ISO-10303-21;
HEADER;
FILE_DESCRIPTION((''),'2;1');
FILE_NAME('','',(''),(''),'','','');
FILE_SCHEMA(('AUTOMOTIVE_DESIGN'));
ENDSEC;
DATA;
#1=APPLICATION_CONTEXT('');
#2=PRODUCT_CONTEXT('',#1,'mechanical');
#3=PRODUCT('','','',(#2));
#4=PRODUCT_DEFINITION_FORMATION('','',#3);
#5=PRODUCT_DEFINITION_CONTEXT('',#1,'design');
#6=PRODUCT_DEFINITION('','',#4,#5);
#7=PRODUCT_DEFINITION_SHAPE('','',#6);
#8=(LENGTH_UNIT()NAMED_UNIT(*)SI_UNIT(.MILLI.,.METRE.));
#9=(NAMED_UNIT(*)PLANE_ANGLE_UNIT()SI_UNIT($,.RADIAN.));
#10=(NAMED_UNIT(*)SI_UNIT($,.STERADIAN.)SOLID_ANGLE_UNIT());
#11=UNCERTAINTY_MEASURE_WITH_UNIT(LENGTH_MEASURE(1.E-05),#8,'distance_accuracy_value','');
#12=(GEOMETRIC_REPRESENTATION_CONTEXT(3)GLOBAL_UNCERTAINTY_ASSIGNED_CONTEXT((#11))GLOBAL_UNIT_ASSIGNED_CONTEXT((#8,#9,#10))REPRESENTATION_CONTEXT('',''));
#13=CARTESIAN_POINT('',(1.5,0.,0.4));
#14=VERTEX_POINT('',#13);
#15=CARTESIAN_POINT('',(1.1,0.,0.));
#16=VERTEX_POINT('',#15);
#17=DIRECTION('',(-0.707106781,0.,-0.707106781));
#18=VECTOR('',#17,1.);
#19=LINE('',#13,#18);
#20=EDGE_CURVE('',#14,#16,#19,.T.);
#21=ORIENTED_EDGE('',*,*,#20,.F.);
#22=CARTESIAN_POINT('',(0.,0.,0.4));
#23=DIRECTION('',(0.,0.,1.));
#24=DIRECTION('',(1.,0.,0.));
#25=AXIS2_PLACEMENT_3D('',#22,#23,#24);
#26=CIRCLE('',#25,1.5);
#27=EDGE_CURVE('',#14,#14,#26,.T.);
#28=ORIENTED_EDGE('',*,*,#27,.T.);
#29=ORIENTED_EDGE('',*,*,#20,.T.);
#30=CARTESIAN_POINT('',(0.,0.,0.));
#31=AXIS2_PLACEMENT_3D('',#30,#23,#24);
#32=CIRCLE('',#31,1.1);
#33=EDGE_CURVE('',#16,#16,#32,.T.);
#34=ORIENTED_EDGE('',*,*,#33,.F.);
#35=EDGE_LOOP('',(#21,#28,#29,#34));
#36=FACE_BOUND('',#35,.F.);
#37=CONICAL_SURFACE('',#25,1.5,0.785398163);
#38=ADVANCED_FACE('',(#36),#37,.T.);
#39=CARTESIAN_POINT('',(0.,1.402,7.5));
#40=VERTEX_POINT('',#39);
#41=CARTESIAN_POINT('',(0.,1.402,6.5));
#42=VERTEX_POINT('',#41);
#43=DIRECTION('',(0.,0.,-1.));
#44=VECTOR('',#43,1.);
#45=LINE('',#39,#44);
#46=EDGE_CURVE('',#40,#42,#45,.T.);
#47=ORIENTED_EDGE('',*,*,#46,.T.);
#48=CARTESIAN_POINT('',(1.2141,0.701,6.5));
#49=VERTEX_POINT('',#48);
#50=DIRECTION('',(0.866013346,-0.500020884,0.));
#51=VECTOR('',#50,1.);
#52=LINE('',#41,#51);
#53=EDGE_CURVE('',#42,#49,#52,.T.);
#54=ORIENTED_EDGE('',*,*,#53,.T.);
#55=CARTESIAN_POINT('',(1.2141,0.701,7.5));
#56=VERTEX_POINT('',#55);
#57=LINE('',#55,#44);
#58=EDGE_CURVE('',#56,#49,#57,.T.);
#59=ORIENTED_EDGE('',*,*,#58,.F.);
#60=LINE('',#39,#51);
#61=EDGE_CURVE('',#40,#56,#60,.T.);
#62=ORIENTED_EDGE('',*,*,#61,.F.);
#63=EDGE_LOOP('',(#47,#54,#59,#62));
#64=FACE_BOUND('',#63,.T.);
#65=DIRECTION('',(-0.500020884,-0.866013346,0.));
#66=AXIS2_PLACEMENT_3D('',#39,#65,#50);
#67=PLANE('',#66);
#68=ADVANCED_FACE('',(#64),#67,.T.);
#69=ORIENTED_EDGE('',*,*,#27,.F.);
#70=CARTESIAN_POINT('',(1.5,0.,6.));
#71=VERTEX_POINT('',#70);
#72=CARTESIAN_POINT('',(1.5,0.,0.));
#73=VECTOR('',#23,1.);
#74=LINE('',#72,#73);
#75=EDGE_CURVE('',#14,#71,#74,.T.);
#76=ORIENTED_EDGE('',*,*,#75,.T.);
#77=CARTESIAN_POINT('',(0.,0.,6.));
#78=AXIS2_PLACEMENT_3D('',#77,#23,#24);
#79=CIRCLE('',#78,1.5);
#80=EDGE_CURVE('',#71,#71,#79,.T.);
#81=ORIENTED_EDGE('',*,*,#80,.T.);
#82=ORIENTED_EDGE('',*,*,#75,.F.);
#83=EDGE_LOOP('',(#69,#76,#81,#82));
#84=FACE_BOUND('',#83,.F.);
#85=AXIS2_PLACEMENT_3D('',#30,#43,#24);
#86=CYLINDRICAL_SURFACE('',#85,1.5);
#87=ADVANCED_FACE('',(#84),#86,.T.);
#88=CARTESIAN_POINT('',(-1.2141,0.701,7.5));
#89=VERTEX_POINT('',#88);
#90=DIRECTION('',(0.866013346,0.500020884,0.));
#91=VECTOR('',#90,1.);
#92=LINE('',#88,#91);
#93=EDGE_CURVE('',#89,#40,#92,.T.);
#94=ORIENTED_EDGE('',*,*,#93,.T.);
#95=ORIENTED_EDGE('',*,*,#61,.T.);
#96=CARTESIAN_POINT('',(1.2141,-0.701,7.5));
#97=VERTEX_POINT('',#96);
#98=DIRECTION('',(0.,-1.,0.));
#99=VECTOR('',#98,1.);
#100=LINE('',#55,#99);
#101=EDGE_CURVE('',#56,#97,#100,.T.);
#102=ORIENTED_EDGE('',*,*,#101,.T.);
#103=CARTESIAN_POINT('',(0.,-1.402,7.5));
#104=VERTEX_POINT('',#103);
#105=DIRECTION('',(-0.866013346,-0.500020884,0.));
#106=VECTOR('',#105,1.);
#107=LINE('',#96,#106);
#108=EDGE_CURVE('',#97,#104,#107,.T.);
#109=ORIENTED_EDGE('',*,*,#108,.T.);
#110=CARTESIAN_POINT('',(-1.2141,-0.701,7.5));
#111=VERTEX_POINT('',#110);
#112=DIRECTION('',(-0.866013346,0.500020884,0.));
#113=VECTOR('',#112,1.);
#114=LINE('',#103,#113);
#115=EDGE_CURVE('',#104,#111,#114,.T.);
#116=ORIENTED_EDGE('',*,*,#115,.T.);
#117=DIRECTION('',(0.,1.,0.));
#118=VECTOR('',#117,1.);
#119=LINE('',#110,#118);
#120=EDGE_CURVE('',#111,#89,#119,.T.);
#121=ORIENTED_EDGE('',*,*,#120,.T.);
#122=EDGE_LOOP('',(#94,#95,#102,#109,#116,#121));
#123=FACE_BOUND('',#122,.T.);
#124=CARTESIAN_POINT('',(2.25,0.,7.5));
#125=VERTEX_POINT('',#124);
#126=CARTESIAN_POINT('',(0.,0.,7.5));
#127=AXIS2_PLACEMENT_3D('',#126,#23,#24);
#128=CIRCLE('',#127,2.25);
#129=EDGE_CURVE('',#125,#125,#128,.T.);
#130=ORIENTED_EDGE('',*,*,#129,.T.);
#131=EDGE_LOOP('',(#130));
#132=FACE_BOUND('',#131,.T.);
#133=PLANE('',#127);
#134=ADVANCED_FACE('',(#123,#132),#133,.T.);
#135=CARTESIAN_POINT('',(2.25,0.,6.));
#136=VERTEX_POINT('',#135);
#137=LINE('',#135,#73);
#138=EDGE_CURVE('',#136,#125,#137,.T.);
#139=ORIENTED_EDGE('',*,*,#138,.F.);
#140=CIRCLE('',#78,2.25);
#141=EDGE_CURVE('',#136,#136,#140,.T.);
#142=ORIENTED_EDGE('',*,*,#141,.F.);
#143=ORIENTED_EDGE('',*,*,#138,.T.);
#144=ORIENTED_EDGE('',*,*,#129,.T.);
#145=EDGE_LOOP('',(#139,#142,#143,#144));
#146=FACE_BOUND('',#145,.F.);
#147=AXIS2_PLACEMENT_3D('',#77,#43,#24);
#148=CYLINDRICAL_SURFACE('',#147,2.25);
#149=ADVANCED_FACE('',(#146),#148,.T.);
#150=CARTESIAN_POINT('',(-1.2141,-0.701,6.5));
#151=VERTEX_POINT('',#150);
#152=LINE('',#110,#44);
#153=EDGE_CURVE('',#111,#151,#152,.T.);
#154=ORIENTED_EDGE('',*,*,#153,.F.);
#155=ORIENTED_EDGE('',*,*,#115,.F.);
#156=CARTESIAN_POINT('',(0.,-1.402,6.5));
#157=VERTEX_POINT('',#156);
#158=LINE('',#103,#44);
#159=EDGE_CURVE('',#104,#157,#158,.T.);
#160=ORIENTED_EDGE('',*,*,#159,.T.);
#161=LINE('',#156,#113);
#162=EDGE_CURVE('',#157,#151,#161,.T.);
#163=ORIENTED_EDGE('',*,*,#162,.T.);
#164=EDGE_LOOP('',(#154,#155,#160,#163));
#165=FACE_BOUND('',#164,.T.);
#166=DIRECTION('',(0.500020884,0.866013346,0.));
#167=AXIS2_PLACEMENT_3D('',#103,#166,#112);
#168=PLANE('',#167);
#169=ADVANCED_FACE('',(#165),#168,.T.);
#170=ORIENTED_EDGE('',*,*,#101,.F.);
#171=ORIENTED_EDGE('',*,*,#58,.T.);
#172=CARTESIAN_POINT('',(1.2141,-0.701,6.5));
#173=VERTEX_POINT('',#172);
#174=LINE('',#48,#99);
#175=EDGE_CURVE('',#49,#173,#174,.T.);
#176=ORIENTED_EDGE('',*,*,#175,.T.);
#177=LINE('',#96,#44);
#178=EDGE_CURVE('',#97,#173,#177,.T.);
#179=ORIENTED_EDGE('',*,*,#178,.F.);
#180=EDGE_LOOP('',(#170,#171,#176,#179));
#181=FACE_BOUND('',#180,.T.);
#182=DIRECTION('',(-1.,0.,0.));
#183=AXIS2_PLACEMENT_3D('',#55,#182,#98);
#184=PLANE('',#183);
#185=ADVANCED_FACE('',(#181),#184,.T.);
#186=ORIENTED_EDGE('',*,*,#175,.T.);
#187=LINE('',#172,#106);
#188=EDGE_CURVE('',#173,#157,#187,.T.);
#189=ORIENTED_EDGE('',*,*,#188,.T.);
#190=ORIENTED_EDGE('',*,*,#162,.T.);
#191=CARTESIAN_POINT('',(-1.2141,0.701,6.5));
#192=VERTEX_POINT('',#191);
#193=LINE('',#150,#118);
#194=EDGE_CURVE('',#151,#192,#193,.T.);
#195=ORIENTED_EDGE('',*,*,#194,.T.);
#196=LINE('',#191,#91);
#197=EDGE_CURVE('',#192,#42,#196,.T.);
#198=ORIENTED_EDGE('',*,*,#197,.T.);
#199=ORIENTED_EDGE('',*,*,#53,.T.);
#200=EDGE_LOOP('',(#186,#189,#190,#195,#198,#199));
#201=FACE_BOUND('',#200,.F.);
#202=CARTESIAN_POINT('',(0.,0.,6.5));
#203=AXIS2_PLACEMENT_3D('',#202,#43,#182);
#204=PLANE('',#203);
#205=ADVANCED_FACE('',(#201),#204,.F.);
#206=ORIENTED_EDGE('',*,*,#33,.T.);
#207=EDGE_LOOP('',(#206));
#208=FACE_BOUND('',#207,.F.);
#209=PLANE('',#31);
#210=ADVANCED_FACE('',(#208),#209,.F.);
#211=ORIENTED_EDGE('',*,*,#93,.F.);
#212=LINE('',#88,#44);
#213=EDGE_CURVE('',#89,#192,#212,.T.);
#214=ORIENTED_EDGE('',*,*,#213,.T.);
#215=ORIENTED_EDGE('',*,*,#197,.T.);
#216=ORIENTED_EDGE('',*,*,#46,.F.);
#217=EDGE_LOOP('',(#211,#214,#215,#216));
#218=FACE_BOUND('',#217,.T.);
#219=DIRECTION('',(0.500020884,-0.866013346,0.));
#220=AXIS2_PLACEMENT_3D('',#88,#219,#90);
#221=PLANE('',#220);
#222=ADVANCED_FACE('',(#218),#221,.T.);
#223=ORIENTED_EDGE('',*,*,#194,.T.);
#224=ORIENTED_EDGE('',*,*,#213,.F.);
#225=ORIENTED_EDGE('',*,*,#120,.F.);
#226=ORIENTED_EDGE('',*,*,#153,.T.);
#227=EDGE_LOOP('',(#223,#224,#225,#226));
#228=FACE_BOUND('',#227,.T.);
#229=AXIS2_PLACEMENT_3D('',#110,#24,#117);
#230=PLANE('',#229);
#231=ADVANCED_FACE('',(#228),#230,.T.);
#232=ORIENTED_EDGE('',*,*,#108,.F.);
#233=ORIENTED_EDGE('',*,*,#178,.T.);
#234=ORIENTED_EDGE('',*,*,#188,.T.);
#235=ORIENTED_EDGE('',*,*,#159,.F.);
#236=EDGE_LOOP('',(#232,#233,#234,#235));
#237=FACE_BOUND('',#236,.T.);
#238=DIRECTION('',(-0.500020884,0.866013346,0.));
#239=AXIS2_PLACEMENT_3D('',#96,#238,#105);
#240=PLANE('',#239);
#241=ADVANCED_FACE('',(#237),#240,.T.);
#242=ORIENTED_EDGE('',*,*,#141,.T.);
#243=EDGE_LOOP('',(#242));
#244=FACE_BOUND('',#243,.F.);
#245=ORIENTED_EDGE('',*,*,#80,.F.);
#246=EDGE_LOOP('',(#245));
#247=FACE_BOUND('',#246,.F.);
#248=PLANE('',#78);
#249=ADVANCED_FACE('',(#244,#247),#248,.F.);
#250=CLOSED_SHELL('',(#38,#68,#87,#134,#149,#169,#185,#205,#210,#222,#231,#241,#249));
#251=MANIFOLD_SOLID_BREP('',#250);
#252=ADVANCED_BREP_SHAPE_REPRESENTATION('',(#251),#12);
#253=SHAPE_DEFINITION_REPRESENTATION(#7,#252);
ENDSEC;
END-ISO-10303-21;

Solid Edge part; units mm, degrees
sketch "Sketch1" plane through (0, 0, 0) normal (0, 0, 1) x (1, 0, 0)
  circle A0 centre (0, 0) radius 1.5
extrude "Protrusion1" add sketch "Sketch1" along normal blind 6
sketch "Sketch2" plane through (0, 0, 6) normal (0, 0, 1) x (1, 0, 0)
  circle A0 centre (0, 0) radius 2.25
extrude "ProtrusiónExtruida_2" add sketch "Sketch2" along normal blind 1.5
sketch "Sketch3" plane through (0, 0, 7.5) normal (0, 0, 1) x (1, 0, 0)
  line L0 (0, 1.402) -> (1.2141, 0.701)
  line L1 (1.2141, 0.701) -> (1.2141, -0.701)
  line L2 (1.2141, -0.701) -> (0, -1.402)
  line L3 (0, -1.402) -> (-1.2141, -0.701)
  line L4 (-1.2141, -0.701) -> (-1.2141, 0.701)
  line L5 (-1.2141, 0.701) -> (0, 1.402)
extrude "VaciadoExtruido_1" cut sketch "Sketch3" against normal blind 1
chamfer "Chaflán_1" distance 0.4 angle 45 1 edges at (-1.5, 0, 0)
properties material "Acero inoxidable, 303"
